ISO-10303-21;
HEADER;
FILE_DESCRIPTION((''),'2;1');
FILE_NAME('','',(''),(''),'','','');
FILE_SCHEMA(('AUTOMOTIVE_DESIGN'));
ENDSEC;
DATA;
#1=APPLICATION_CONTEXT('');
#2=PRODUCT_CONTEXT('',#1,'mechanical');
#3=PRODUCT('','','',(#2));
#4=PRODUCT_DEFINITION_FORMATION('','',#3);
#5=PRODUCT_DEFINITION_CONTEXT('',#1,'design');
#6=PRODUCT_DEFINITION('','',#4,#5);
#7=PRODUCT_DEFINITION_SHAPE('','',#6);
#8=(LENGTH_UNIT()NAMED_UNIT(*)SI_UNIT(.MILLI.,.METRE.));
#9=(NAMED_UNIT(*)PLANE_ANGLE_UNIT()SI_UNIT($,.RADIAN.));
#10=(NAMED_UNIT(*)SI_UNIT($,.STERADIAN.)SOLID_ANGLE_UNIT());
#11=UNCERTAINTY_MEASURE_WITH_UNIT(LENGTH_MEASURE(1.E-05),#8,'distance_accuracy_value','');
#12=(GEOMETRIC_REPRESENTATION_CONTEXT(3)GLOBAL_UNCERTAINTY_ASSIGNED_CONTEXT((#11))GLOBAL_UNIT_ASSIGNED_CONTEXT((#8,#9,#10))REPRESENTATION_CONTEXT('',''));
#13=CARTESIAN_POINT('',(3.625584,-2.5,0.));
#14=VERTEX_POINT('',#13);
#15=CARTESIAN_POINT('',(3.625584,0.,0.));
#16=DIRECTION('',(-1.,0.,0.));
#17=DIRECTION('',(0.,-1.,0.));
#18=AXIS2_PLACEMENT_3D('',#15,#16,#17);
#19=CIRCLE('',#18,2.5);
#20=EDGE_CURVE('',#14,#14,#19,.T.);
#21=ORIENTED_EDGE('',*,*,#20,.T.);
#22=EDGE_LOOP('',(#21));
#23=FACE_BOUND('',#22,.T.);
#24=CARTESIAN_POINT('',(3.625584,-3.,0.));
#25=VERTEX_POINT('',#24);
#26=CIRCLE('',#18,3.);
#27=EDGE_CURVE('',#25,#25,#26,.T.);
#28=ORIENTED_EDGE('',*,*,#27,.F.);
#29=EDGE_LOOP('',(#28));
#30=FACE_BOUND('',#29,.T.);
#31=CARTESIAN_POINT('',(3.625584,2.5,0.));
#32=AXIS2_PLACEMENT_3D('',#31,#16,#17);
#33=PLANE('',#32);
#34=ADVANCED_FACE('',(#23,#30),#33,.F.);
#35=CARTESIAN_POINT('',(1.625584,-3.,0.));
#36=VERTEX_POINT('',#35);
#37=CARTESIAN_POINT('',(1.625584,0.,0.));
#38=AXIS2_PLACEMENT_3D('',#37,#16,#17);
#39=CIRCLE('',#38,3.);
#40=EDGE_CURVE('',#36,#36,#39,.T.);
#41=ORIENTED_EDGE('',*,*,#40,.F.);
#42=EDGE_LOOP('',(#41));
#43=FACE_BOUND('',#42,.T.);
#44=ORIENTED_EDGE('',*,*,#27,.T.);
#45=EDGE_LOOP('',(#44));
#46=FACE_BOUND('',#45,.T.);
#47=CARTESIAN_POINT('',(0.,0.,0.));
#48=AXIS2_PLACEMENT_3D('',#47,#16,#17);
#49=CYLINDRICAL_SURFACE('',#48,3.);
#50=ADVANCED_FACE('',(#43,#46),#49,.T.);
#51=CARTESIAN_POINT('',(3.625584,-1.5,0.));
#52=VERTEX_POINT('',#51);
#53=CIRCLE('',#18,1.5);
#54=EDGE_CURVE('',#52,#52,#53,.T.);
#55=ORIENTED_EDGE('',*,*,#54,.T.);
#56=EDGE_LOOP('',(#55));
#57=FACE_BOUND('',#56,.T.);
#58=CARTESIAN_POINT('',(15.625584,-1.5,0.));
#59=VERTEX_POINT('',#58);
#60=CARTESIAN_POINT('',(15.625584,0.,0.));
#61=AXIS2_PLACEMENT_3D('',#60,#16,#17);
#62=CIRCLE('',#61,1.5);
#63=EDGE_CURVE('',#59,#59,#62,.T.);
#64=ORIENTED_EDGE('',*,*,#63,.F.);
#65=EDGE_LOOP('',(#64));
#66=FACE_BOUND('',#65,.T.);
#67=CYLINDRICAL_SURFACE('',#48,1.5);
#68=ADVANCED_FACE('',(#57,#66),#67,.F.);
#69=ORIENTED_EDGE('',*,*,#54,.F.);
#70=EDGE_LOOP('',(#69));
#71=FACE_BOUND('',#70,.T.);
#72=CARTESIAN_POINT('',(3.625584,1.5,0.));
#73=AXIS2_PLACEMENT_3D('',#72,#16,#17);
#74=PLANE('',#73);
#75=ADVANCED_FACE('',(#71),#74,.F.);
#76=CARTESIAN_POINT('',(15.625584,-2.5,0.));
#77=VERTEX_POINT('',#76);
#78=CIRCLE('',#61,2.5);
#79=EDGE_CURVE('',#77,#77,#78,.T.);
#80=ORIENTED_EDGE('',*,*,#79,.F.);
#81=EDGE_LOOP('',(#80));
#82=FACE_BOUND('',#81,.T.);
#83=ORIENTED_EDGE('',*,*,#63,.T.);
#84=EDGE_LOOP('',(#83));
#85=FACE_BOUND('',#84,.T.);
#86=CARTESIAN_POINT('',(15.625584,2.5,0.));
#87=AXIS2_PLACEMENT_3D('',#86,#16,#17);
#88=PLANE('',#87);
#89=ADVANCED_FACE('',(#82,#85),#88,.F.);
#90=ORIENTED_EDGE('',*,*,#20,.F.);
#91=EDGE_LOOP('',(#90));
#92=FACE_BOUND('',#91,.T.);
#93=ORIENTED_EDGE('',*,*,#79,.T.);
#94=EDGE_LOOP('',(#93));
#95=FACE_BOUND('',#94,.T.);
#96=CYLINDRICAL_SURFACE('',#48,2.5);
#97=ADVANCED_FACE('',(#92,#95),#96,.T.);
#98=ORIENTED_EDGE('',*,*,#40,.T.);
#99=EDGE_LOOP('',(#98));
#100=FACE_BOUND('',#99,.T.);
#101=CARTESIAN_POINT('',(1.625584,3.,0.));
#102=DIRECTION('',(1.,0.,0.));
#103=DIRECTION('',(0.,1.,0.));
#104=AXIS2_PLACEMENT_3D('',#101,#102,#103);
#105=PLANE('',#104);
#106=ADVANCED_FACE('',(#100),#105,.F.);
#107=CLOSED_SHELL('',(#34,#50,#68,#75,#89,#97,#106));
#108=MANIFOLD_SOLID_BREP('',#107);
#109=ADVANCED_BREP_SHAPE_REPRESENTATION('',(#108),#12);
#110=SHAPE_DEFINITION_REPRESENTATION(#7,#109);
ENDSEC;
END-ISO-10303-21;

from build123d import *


with BuildPart() as part:
    # Sketch1 → Revolve1 (revolve)
    with BuildSketch(Plane.XY, mode=Mode.PRIVATE) as revolve1_sk:
        Polygon((3.625583913, 2.5), (15.625583913, 2.5), (15.625583913, 1.5), (3.625583913, 1.5), (3.625583913, 0), (1.625583913, 0), (1.625583913, 3), (3.625583913, 3), align=None)
    revolve(revolve1_sk.sketch.rotate(Axis((0, 0, 0), (1, 0, 0)), 180), axis=Axis((0, 0, 0), (1, 0, 0)))


solid = part.part
